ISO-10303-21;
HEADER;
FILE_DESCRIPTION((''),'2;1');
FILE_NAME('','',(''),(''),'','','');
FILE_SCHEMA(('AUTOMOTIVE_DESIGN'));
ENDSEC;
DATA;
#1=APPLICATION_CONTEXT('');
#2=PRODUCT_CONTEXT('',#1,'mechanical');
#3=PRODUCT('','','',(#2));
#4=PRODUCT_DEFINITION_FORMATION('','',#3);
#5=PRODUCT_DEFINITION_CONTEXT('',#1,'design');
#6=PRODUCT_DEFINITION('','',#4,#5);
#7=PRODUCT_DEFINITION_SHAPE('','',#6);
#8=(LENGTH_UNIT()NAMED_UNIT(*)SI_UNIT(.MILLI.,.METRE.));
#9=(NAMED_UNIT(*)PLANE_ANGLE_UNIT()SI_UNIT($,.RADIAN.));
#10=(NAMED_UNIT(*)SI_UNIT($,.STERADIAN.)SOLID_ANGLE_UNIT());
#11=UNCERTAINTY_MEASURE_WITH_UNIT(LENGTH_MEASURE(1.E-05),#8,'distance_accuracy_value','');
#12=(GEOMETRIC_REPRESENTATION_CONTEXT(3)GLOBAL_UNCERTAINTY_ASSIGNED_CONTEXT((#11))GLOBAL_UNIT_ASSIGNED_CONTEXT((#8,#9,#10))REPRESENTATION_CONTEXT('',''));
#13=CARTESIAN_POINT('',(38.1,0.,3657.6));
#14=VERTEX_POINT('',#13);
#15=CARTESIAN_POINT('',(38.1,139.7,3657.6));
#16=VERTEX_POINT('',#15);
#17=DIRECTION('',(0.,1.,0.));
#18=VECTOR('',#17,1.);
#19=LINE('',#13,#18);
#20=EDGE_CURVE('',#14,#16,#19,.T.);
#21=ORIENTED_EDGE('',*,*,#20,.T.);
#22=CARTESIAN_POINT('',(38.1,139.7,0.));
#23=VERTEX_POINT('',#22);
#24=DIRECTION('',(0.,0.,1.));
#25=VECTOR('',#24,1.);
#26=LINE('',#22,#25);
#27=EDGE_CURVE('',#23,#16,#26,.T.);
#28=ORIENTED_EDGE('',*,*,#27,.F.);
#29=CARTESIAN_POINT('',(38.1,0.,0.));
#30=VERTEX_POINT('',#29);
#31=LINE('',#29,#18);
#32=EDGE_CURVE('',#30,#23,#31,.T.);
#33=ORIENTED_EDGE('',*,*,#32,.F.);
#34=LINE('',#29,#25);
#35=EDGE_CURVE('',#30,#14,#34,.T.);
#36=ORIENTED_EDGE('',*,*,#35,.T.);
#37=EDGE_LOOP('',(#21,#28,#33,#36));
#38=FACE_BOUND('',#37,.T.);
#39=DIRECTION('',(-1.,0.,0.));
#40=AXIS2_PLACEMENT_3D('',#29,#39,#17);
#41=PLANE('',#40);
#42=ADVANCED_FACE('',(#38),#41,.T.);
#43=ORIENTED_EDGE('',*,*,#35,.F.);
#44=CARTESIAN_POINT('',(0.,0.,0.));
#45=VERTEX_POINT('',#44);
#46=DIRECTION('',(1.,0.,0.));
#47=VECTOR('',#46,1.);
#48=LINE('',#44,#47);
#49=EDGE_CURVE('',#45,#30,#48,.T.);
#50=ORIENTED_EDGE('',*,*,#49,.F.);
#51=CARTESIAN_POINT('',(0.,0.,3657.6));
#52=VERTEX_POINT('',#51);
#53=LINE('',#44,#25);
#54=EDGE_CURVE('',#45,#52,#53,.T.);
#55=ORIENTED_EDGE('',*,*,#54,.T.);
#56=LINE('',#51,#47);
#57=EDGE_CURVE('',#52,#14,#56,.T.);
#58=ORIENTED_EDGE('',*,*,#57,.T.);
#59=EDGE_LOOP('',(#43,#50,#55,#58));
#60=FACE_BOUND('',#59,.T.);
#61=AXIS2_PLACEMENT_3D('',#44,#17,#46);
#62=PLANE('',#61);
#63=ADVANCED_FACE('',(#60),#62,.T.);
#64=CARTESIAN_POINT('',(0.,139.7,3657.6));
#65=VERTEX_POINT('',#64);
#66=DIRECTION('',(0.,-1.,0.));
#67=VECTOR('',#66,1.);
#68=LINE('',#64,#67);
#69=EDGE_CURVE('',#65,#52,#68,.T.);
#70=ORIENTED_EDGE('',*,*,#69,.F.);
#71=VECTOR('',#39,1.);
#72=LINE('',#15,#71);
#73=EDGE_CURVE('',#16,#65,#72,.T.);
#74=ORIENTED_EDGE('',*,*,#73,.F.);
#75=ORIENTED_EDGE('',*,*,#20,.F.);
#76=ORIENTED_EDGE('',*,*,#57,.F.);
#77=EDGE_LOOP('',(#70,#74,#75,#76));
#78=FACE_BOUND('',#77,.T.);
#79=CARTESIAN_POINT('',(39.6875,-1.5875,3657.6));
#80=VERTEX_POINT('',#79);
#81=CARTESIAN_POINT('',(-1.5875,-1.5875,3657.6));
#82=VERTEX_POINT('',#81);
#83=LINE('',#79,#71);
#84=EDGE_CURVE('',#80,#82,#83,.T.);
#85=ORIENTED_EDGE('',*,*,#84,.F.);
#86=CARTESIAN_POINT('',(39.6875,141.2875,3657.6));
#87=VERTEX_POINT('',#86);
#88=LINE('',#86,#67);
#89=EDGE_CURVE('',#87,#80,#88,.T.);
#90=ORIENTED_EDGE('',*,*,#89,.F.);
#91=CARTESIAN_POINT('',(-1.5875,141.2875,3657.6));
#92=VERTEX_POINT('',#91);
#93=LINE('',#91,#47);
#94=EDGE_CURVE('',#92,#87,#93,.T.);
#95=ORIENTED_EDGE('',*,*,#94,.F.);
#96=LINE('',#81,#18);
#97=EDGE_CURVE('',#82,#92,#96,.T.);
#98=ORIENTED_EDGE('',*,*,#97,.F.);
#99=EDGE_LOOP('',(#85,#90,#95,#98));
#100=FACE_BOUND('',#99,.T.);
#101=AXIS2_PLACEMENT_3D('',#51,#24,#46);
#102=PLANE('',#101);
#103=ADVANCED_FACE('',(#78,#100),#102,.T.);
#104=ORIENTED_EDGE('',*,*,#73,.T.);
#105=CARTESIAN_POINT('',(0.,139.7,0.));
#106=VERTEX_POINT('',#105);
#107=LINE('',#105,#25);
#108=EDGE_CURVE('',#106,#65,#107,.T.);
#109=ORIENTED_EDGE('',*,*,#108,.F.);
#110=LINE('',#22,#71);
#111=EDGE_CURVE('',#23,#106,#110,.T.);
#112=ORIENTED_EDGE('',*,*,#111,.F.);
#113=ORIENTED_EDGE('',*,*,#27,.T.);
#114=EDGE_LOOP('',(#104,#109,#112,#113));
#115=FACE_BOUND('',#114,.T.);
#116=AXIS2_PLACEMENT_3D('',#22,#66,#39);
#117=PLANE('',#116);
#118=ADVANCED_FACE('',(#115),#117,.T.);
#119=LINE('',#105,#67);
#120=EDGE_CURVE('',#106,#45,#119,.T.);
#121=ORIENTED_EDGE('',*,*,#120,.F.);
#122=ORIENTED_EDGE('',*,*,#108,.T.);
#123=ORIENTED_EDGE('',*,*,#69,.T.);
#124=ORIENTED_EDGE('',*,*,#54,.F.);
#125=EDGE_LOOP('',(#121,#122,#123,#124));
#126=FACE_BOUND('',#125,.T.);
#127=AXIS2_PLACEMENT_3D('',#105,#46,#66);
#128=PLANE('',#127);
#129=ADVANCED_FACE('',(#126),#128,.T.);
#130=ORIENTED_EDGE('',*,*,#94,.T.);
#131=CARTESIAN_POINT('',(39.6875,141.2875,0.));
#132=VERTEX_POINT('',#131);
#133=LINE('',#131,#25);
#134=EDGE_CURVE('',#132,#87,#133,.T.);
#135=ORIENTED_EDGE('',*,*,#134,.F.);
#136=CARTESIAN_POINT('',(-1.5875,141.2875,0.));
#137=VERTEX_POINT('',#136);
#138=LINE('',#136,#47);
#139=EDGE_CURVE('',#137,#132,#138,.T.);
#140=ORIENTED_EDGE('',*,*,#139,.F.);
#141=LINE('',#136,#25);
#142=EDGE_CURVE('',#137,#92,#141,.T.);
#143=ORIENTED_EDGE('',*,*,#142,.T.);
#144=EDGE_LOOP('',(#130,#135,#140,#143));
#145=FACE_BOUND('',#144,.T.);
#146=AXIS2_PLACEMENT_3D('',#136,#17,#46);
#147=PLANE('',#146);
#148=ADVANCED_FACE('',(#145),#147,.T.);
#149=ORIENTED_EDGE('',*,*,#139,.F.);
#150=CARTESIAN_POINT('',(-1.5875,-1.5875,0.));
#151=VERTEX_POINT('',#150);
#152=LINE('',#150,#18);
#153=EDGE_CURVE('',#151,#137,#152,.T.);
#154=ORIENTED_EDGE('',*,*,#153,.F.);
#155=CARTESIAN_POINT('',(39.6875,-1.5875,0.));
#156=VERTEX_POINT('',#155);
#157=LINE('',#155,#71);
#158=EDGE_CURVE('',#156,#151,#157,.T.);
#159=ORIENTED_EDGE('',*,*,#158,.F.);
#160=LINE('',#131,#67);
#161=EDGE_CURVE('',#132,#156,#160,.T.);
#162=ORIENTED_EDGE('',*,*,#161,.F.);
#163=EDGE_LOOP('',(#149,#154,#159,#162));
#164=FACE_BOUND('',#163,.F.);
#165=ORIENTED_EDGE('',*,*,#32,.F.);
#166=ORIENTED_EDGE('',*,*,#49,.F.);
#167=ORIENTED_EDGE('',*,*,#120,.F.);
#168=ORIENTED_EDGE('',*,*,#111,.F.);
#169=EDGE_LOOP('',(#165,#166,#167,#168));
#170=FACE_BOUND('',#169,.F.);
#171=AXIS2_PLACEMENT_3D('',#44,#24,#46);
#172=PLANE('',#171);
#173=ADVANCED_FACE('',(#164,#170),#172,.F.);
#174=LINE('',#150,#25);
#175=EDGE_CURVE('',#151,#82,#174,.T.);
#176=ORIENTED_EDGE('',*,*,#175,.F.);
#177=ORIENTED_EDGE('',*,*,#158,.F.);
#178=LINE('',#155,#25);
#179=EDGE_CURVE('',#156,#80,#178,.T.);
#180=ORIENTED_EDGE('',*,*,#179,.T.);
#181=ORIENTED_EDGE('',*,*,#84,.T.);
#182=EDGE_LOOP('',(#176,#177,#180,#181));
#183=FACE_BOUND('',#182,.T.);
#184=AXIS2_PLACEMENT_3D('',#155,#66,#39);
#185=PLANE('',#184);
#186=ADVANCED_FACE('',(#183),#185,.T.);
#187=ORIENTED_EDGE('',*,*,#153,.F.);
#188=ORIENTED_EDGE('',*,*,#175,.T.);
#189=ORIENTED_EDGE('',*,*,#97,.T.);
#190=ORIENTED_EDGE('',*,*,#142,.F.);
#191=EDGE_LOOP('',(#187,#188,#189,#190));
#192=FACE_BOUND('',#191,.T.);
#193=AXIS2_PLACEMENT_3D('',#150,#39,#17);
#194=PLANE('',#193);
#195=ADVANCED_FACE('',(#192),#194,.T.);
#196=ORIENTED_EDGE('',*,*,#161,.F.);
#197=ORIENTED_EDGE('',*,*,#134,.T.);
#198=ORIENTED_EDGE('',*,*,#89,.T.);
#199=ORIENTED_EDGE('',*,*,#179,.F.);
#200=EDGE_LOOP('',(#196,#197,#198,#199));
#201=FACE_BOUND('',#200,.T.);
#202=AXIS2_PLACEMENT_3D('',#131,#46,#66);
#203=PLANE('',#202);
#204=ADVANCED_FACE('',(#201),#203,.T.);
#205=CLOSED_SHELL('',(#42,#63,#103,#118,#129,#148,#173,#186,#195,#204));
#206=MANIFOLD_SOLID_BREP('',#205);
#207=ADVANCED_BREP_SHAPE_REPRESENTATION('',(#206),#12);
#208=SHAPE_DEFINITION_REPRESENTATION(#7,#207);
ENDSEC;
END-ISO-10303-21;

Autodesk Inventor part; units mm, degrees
ref_plane "YZ Plane" through (0, 0, 0) normal (1, 0, 0) x (0, 1, 0)
ref_plane "XZ Plane" through (0, 0, 0) normal (0, 1, 0) x (-1, 0, 0)
ref_plane "XY Plane" through (0, 0, 0) normal (0, 0, 1) x (1, 0, 0)
sketch "Sketch1" plane through (0, 0, 0) normal (0, 0, 1) x (1, 0, 0)
  line L0 (0, 0) -> (38.1, 0)
  line L1 (38.1, 0) -> (38.1, 139.7)
  line L2 (38.1, 139.7) -> (0, 139.7)
  line L3 (0, 139.7) -> (0, 0)
  line L4 (-1.5875, 141.2875) -> (39.6875, 141.2875)
  line L5 (39.6875, 141.2875) -> (39.6875, -1.5875)
  line L6 (39.6875, -1.5875) -> (-1.5875, -1.5875)
  line L7 (-1.5875, -1.5875) -> (-1.5875, 141.2875)
  dimension "d1" = 139.7
  dimension "d2" = 38.1
  dimension "d3" = 1.5875
extrude "Extrusion1" add sketch "Sketch1" along normal blind 3657.6
properties part number "Tube_Of_Underlayment_For_Joist_With_Length_144_Inches" material "Rubber"
